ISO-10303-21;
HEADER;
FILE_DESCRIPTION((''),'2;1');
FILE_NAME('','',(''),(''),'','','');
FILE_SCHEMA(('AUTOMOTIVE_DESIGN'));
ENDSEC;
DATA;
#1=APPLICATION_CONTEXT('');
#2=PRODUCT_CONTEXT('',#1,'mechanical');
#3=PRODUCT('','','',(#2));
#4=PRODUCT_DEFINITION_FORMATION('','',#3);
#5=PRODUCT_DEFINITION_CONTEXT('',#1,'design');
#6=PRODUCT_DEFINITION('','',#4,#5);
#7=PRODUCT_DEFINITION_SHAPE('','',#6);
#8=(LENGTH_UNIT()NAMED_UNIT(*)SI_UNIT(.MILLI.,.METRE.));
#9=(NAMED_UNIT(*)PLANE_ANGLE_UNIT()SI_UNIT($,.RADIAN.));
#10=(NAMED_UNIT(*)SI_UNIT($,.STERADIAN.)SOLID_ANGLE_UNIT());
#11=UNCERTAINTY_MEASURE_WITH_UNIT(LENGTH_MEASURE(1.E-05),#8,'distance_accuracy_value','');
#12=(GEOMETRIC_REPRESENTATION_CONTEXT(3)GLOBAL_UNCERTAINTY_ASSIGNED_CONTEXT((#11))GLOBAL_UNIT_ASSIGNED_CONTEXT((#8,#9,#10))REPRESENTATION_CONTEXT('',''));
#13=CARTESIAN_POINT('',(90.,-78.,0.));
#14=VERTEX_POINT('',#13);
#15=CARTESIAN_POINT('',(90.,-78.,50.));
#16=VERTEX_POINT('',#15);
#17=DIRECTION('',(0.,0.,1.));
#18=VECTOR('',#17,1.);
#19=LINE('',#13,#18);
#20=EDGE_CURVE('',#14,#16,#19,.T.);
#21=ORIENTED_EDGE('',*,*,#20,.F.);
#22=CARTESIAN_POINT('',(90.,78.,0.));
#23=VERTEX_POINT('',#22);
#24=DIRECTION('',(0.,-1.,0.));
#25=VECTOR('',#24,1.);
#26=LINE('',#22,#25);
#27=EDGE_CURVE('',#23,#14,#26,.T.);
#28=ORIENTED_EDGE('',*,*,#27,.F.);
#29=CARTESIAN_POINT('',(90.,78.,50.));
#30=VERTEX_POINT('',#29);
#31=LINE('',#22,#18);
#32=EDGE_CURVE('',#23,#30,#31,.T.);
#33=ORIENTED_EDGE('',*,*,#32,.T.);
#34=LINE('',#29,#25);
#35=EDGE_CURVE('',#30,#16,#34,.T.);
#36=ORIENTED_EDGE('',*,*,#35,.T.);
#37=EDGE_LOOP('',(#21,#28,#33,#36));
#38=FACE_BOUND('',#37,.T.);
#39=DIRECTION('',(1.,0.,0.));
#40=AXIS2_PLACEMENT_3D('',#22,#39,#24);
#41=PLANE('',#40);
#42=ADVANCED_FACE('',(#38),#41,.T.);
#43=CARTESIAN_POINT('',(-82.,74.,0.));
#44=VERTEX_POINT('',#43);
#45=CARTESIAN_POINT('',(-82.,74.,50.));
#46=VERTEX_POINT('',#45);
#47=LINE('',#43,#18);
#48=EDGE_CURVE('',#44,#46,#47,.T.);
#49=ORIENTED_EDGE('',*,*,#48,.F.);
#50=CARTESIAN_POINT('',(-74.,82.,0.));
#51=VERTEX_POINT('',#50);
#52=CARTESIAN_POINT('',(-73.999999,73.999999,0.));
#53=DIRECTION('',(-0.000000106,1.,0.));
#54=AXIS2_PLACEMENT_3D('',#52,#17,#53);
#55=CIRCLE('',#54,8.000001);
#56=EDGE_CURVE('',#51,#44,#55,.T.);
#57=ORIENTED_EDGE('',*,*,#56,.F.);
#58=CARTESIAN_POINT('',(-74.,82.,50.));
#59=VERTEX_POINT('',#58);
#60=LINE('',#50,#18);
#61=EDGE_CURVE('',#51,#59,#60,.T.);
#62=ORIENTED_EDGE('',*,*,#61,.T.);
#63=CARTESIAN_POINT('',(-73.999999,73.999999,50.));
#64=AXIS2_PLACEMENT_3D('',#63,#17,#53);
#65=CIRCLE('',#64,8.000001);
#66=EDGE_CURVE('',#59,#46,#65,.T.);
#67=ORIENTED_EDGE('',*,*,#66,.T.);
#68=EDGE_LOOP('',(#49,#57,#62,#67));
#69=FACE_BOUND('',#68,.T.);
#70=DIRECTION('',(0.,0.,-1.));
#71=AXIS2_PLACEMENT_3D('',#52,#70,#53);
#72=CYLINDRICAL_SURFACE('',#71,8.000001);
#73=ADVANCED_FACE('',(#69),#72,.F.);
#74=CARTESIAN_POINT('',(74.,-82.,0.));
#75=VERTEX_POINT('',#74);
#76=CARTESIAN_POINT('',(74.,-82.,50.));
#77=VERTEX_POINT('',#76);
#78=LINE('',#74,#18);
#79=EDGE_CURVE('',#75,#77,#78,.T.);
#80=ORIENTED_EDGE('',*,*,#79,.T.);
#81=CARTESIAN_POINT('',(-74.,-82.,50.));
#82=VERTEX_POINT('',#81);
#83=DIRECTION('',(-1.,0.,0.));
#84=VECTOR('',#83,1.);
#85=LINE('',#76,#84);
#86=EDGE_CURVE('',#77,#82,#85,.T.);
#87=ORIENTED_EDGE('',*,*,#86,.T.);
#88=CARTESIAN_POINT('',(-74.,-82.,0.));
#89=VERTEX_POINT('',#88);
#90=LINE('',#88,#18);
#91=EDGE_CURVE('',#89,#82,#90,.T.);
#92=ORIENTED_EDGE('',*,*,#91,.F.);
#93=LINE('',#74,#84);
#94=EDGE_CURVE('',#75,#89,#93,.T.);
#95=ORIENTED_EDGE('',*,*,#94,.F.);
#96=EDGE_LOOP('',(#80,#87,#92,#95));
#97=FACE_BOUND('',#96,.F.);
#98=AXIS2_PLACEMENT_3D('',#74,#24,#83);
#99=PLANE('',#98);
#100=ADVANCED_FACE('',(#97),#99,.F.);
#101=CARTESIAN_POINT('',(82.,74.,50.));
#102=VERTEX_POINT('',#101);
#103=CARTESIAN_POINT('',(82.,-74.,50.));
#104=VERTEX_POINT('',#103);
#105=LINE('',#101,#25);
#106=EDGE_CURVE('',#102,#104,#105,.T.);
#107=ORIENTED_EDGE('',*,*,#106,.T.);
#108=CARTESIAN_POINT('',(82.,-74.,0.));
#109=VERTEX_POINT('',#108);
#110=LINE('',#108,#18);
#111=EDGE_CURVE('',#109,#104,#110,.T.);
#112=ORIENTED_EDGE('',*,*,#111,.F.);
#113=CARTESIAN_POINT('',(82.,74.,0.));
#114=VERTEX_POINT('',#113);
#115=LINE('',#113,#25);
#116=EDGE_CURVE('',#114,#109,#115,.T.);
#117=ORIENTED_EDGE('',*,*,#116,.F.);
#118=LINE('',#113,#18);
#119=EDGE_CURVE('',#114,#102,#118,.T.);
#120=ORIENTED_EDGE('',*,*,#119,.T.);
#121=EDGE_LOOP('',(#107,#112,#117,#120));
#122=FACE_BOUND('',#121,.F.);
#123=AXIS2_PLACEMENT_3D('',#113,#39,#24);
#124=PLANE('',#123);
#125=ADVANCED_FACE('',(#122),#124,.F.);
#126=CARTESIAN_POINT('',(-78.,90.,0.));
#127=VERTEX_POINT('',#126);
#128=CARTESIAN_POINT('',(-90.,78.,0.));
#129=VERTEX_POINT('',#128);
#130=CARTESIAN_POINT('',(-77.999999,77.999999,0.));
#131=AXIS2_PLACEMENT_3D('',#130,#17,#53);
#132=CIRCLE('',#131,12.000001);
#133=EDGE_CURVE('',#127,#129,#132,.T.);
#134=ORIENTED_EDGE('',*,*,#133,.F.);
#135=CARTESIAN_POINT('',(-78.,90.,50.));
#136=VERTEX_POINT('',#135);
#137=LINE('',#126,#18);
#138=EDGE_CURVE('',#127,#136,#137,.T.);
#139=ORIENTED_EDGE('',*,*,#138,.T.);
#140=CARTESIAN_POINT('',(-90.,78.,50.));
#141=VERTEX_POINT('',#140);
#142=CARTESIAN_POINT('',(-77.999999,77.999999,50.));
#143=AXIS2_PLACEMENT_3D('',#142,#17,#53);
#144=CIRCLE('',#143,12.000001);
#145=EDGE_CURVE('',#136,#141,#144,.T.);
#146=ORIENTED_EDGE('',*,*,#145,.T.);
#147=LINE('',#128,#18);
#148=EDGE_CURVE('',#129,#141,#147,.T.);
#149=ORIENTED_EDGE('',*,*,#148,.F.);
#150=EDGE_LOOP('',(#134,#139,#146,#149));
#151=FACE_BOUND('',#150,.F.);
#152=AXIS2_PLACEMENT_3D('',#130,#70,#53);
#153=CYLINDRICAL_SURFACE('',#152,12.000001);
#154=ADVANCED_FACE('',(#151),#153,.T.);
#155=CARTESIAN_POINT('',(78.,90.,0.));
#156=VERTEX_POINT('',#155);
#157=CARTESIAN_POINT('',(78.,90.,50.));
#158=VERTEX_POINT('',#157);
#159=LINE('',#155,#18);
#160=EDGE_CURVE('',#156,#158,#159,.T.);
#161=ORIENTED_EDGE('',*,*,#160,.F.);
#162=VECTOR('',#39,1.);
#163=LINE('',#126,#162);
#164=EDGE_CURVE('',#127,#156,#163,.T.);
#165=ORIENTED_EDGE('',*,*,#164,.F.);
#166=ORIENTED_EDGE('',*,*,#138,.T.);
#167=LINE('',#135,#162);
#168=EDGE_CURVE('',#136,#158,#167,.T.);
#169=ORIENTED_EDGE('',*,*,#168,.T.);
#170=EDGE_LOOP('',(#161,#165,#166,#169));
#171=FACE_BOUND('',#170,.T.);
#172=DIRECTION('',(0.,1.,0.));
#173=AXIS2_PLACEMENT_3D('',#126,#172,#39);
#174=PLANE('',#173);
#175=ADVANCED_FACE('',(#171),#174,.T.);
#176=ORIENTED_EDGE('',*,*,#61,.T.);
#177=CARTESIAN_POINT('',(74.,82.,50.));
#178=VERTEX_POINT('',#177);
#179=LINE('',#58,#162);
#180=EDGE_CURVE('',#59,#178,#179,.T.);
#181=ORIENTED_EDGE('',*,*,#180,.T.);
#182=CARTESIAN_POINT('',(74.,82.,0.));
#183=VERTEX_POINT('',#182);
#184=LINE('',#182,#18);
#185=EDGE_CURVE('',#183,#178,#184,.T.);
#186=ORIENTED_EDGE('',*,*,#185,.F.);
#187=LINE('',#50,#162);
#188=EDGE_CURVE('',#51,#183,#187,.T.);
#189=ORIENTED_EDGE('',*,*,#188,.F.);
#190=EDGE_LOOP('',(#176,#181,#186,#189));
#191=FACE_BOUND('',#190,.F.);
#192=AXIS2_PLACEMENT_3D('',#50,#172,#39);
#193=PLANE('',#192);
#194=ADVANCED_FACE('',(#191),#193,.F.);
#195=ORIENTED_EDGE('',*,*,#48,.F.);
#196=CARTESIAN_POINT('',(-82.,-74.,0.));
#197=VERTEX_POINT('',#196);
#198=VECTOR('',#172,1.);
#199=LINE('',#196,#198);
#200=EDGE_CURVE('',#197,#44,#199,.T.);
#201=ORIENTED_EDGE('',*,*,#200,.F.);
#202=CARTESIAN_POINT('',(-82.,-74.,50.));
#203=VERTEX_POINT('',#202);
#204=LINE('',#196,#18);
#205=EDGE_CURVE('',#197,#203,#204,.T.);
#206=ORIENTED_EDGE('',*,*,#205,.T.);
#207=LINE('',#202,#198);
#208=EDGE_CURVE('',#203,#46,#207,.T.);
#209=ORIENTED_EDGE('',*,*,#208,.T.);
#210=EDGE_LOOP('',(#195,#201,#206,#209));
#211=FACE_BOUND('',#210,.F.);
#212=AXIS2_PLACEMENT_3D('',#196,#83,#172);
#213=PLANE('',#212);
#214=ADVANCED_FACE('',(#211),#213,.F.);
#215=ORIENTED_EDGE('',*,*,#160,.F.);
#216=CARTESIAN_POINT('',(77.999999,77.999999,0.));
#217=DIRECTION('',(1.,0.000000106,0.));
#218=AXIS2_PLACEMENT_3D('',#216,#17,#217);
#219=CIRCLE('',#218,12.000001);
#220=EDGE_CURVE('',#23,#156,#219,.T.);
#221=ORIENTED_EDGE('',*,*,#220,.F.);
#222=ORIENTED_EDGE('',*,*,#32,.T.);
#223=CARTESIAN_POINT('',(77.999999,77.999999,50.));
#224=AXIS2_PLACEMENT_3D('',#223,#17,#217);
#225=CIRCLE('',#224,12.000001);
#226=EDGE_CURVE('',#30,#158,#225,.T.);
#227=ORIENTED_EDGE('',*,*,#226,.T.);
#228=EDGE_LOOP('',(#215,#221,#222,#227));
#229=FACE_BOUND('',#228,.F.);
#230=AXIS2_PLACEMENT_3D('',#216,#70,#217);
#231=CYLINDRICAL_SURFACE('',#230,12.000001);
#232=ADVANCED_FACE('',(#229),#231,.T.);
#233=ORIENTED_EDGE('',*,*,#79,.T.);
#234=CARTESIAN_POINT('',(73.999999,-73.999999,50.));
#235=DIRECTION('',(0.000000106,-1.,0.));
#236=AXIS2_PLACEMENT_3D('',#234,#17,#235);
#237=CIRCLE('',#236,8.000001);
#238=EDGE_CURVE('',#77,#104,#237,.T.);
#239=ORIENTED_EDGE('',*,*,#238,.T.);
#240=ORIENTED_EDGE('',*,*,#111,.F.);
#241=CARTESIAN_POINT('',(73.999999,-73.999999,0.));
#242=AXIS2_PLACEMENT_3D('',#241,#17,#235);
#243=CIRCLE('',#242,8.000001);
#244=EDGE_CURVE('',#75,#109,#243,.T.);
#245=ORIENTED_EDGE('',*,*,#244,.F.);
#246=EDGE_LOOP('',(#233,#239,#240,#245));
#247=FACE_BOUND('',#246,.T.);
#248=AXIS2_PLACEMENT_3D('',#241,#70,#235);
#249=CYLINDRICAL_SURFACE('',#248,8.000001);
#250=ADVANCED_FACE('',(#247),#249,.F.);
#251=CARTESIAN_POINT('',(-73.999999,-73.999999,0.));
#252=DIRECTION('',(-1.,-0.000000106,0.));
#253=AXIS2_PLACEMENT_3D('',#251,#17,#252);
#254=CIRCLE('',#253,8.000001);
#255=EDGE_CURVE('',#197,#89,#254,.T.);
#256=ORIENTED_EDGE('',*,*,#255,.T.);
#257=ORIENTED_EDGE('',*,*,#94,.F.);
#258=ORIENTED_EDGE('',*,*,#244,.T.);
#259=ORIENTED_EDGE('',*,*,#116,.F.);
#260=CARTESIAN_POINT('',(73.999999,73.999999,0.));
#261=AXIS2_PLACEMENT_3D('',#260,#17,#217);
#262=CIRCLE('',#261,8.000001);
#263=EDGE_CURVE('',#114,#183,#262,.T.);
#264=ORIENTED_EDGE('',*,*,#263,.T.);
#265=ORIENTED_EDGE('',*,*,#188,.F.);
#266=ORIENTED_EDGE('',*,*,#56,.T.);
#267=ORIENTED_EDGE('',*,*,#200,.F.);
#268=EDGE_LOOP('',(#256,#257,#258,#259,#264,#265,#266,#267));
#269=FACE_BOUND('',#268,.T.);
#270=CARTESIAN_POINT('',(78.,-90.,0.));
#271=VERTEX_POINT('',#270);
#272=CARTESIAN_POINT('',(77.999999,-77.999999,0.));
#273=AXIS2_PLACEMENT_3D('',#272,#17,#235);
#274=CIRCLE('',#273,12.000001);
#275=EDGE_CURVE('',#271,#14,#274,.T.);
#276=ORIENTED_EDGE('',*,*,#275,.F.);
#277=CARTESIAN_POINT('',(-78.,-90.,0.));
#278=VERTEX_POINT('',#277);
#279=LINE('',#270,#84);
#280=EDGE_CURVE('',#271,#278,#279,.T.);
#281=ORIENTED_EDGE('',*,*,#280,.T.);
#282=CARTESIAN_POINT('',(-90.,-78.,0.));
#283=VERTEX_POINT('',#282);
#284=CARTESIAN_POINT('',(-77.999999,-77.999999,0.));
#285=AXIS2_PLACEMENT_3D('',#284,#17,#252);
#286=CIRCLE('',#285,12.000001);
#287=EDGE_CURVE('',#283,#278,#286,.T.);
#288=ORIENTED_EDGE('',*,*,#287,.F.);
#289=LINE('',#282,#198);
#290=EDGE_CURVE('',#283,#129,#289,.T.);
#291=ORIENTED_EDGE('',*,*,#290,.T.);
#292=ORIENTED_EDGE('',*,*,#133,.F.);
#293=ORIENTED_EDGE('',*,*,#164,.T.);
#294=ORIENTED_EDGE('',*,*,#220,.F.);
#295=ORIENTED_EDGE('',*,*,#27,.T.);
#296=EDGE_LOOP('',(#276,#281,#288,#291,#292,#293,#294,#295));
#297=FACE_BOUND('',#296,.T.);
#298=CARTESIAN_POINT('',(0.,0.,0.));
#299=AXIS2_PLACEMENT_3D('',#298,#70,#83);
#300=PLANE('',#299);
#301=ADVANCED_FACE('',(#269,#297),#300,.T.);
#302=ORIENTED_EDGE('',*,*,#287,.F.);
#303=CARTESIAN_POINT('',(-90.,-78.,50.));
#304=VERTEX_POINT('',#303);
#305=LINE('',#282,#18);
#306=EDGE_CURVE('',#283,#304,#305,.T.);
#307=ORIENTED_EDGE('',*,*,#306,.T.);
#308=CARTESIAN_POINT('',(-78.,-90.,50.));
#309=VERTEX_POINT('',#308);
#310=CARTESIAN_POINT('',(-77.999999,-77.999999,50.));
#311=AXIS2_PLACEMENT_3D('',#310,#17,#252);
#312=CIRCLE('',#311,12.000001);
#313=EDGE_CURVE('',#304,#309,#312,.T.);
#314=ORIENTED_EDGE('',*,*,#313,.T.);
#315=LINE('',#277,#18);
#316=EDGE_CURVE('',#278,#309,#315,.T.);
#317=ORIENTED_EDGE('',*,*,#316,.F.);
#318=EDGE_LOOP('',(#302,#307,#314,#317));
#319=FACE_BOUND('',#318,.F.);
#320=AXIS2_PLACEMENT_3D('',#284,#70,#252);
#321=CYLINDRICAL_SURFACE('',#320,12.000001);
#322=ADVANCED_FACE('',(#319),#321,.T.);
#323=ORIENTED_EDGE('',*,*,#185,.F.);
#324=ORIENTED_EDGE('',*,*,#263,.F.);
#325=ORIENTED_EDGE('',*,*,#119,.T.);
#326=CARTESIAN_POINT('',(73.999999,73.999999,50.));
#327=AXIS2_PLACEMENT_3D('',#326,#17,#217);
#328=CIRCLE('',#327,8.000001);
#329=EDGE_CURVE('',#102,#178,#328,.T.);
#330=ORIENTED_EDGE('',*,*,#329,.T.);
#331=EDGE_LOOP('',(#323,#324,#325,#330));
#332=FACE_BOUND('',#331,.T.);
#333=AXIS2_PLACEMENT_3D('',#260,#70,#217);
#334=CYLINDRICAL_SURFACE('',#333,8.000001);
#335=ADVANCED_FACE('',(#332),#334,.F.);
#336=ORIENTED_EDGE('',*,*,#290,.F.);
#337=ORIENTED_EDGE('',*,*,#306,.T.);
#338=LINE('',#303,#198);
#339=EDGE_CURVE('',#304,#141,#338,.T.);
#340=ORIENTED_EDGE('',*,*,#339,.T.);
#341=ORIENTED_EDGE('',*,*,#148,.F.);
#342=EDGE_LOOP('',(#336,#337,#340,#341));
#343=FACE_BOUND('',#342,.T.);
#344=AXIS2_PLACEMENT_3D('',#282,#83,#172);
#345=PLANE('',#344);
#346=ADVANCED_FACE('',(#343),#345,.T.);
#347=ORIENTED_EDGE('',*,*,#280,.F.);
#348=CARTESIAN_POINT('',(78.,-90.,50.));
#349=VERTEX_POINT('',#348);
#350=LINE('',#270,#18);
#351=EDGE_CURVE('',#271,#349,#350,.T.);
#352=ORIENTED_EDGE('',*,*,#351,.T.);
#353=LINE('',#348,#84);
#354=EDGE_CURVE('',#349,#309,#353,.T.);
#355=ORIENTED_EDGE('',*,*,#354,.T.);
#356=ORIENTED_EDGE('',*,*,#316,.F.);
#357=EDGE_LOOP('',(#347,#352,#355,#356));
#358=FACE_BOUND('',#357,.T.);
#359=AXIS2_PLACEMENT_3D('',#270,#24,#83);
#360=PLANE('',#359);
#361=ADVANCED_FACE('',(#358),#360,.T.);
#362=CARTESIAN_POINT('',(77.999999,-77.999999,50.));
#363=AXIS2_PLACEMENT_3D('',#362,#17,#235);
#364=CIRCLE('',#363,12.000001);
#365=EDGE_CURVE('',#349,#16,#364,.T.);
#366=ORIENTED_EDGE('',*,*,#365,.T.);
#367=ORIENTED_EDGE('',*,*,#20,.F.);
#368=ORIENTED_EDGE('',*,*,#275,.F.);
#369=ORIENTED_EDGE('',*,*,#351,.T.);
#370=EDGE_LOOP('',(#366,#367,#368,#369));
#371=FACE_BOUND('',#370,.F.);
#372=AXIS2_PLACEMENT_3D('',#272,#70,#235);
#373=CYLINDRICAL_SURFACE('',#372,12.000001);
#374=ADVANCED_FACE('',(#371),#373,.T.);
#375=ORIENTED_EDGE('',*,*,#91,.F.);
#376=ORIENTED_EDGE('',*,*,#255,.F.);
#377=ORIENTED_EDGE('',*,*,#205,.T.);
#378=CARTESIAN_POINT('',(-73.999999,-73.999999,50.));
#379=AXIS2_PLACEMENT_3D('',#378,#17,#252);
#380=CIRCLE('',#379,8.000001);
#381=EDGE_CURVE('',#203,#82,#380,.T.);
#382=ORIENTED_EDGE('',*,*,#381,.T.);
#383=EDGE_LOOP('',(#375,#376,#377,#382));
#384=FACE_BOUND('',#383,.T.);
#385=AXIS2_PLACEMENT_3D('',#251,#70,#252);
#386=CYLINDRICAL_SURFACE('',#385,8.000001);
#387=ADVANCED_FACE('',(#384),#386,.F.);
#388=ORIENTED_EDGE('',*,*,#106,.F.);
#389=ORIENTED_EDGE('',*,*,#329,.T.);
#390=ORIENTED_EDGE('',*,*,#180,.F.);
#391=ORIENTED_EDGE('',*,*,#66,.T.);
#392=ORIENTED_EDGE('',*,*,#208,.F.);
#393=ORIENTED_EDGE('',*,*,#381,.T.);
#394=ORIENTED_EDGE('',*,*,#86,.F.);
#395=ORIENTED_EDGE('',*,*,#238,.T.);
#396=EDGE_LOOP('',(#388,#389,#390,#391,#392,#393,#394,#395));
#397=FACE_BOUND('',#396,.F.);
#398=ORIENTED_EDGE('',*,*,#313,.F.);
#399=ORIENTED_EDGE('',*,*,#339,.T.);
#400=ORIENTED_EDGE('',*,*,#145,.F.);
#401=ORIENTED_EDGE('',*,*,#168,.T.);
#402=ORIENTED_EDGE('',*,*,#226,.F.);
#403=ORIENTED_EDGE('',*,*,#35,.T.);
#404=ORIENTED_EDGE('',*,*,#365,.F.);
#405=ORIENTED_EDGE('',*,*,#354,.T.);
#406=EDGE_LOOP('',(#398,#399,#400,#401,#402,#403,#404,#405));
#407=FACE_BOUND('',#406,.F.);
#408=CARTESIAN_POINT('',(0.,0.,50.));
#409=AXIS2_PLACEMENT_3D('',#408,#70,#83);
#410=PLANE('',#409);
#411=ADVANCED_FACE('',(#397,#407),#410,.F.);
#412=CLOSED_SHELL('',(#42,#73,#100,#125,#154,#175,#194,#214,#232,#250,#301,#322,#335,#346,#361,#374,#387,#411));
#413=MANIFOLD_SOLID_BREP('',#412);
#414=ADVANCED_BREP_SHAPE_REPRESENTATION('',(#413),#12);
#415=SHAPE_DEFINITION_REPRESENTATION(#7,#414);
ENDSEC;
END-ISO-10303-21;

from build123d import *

# Parameters (mm, degrees)
EXTRUDE_DEPTH = 50


with BuildPart() as part:
    # Sketch → Extrude (new body)
    with BuildSketch(Plane.XY):
        with BuildLine():
            Line((-78, 90), (78, 90))
            ThreePointArc((90, 78), (86.485281, 86.485281), (78, 90))
            Line((90, 78), (90, -78))
            ThreePointArc((78, -90), (86.485281, -86.485281), (90, -78))
            Line((78, -90), (-78, -90))
            ThreePointArc((-90, -78), (-86.485281, -86.485281), (-78, -90))
            Line((-90, -78), (-90, 78))
            ThreePointArc((-78, 90), (-86.485281, 86.485281), (-90, 78))
        make_face()
        with BuildLine():
            Line((-74, 82), (74, 82))
            ThreePointArc((82, 74), (79.656854, 79.656854), (74, 82))
            Line((82, 74), (82, -74))
            ThreePointArc((74, -82), (79.656854, -79.656854), (82, -74))
            Line((74, -82), (-74, -82))
            ThreePointArc((-82, -74), (-79.656854, -79.656854), (-74, -82))
            Line((-82, -74), (-82, 74))
            ThreePointArc((-74, 82), (-79.656854, 79.656854), (-82, 74))
        make_face(mode=Mode.SUBTRACT)
    extrude(amount=EXTRUDE_DEPTH)


solid = part.part
